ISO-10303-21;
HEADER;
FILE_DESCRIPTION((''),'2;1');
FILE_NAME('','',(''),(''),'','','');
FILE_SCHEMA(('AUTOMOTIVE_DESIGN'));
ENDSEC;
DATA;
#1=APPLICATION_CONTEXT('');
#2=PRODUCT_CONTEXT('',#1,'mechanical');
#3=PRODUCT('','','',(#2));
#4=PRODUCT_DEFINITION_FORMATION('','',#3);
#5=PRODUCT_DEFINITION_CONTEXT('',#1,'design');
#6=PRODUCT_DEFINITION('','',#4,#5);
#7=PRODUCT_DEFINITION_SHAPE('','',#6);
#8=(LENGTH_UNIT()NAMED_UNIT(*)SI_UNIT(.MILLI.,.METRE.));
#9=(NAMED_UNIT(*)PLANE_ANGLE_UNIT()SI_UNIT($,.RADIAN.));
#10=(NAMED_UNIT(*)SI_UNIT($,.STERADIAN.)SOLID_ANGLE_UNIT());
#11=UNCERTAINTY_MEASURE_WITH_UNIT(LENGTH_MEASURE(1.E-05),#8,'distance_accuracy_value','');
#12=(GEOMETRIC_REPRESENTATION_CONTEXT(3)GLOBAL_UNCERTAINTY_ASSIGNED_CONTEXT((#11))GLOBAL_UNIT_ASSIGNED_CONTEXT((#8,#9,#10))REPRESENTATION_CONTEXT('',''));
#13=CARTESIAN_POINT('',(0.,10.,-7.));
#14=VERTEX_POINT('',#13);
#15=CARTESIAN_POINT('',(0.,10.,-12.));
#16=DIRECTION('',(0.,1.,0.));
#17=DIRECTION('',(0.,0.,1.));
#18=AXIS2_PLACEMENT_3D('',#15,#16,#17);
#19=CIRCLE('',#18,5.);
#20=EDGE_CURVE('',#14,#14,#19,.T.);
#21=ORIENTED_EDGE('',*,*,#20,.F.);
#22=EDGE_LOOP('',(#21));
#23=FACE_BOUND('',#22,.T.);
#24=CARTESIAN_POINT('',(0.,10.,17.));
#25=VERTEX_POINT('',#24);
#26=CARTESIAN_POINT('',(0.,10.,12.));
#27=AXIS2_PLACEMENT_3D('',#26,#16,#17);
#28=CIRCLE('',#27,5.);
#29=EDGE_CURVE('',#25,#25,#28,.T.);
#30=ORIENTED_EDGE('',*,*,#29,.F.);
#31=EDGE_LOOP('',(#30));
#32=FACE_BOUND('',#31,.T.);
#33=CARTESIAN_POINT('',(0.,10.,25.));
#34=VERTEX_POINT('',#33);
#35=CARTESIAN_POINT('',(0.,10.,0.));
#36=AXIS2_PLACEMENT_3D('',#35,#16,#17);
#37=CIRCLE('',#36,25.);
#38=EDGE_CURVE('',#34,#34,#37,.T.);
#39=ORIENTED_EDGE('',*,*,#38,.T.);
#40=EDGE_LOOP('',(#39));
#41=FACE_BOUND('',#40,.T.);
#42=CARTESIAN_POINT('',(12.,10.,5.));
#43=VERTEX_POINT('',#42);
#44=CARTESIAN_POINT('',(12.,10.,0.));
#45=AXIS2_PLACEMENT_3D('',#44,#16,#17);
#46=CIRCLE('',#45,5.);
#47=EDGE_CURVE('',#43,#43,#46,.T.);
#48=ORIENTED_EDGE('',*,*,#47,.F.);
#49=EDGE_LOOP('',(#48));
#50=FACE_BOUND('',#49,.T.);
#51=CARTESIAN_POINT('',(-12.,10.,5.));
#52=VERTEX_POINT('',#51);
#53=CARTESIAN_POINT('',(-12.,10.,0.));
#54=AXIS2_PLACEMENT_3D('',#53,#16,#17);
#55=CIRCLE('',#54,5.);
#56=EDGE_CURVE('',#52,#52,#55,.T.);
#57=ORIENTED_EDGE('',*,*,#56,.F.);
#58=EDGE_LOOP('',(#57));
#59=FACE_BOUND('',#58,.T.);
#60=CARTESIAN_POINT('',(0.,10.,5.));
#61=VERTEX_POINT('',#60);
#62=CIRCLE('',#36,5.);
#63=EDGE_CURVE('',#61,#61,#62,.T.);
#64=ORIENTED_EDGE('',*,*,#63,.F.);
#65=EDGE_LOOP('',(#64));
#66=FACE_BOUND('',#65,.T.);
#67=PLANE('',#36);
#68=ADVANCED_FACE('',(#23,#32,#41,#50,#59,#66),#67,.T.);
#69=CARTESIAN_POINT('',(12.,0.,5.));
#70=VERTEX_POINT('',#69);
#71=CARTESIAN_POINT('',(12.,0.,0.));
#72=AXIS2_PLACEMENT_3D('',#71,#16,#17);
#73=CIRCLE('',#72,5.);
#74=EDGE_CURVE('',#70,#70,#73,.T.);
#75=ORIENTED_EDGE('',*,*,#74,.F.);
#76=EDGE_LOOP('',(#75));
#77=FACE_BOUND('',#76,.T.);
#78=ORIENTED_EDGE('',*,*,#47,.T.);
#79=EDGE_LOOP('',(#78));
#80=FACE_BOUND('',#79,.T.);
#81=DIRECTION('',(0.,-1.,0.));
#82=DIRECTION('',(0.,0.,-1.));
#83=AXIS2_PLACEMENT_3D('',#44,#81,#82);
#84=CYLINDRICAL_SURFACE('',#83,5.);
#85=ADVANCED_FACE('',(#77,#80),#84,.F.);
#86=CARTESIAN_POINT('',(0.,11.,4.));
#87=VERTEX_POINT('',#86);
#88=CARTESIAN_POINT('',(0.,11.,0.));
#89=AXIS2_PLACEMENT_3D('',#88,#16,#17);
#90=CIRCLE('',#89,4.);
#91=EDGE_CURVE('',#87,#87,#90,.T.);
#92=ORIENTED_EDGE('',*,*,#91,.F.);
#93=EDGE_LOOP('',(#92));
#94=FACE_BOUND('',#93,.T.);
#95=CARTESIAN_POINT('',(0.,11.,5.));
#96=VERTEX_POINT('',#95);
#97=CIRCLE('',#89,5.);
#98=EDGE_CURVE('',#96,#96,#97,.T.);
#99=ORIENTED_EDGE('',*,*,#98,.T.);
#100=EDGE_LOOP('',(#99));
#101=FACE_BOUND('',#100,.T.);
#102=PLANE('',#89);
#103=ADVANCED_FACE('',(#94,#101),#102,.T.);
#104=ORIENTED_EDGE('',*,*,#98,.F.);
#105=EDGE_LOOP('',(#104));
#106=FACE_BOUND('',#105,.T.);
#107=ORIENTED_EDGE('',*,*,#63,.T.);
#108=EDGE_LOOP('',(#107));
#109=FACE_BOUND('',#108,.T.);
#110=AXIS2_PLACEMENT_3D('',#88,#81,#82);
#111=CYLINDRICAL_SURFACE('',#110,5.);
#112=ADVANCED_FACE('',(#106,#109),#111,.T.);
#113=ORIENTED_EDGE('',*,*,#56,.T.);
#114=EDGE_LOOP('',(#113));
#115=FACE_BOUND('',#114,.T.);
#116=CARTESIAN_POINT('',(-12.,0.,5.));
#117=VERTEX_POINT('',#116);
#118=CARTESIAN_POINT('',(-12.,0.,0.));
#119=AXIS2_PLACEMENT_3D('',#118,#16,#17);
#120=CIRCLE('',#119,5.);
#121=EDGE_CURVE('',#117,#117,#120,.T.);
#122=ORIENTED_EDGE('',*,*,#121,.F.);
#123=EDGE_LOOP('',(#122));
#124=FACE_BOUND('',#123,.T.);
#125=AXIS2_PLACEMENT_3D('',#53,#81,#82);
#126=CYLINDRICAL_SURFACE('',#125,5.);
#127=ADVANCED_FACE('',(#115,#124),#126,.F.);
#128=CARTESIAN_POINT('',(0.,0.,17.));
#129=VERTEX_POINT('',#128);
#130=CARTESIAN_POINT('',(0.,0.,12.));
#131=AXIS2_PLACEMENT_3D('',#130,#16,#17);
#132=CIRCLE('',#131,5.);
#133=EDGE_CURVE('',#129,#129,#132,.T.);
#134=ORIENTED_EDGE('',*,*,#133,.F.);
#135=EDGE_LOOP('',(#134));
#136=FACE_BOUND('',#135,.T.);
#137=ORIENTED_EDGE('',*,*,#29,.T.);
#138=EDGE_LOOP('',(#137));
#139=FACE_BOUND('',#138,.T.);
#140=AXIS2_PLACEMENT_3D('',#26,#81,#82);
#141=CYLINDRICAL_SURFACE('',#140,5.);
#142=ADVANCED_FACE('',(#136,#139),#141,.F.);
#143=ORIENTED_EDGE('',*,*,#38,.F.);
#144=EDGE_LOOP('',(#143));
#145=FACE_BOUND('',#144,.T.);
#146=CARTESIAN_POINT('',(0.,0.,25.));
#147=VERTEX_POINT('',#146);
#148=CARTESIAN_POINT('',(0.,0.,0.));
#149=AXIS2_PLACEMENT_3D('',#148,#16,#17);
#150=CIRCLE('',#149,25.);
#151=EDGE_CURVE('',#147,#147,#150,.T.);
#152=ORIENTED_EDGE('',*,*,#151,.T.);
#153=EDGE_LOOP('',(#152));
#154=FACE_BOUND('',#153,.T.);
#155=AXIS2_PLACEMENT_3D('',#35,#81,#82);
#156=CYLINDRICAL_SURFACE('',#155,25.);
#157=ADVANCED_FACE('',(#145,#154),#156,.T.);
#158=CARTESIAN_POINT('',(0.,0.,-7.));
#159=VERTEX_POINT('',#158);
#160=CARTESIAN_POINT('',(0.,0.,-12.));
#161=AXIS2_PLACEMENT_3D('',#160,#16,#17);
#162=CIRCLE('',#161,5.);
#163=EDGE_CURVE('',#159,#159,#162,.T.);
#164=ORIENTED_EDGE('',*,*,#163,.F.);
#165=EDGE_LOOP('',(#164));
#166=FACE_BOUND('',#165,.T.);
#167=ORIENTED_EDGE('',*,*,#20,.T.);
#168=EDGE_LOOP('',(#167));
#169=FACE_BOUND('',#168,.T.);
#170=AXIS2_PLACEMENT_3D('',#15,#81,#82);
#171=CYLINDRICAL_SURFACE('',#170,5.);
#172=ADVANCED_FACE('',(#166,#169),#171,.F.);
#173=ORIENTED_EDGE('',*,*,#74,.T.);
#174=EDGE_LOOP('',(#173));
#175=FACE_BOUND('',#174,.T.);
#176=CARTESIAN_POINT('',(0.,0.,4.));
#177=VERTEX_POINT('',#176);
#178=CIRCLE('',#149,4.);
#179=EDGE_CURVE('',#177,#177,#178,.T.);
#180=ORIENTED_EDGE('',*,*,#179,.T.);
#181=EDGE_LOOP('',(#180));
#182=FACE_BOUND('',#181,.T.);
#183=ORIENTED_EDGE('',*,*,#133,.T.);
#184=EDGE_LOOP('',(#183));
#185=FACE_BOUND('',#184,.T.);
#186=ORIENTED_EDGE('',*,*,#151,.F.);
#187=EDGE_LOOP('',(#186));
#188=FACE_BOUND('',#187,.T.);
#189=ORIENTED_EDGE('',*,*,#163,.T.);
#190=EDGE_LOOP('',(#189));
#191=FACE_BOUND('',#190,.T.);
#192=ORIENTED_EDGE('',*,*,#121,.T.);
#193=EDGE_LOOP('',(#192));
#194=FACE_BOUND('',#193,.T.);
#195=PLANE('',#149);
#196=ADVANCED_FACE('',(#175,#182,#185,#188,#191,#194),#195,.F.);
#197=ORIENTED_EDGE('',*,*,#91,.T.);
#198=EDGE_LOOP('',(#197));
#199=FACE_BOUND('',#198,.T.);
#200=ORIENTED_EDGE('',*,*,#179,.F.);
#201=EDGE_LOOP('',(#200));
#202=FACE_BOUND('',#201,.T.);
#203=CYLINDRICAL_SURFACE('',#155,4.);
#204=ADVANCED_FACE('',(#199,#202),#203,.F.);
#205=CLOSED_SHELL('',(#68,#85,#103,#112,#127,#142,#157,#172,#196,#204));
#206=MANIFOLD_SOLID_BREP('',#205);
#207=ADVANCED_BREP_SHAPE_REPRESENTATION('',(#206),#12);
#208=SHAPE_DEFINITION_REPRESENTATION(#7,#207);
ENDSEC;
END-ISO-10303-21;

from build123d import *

# Parameters (mm, degrees)
SKETCH1_R           = 25
SKETCH1_R_2         = 4
BOSS_EXTRUDE1_DEPTH = 10
SKETCH2_R           = 5
BOSS_EXTRUDE2_DEPTH = 1
SKETCH3_R           = 4
CUT_EXTRUDE1_DEPTH  = 83


with BuildPart() as part:
    # Sketch1 → Boss-Extrude1 (new body)
    # profile 1 of 2: a face of its own
    with BuildSketch(Plane(origin=(0, 0, 0), x_dir=(1, 0, 0), z_dir=(0, 1, 0))):
        with Locations(Location((0, 0, 0), (0, 0, 270))):
            Circle(SKETCH1_R)
        with BuildLine():
            ThreePointArc((-4.890289414, -10.958333333), (-8.485281374, -8.485281374), (-10.958333333, -4.890289414))
            ThreePointArc((-10.958333333, -4.890289414), (-17, 0), (-10.958333333, 4.890289414))
            ThreePointArc((-10.958333333, 4.890289414), (-8.485281374, 8.485281374), (-4.890289414, 10.958333333))
            ThreePointArc((-4.890289414, 10.958333333), (-0.523714105, 16.97249671), (5, 12))
            ThreePointArc((5, 12), (4.97249671, 11.476285895), (4.890289414, 10.958333333))
            ThreePointArc((4.890289414, 10.958333333), (8.485281374, 8.485281374), (10.958333333, 4.890289414))
            ThreePointArc((10.958333333, 4.890289414), (15.145764348, 3.886407939), (17, 0))
            ThreePointArc((17, 0), (15.145764348, -3.886407939), (10.958333333, -4.890289414))
            ThreePointArc((10.958333333, -4.890289414), (8.485281374, -8.485281374), (4.890289414, -10.958333333))
            ThreePointArc((4.890289414, -10.958333333), (4.97249671, -11.476285895), (5, -12))
            ThreePointArc((5, -12), (-0.523714105, -16.97249671), (-4.890289414, -10.958333333))
        make_face(mode=Mode.SUBTRACT)
    # profile 2 of 2: a face of its own
    with BuildSketch(Plane(origin=(0, 0, 0), x_dir=(1, 0, 0), z_dir=(0, 1, 0))):
        with BuildLine():
            ThreePointArc((-7, 0), (-8.113592061, -3.145764348), (-10.958333333, -4.890289414))
            ThreePointArc((-10.958333333, -4.890289414), (-8.485281374, -8.485281374), (-4.890289414, -10.958333333))
            ThreePointArc((-4.890289414, -10.958333333), (0, -7), (4.890289414, -10.958333333))
            ThreePointArc((4.890289414, -10.958333333), (8.485281374, -8.485281374), (10.958333333, -4.890289414))
            ThreePointArc((10.958333333, -4.890289414), (7, 0), (10.958333333, 4.890289414))
            ThreePointArc((10.958333333, 4.890289414), (8.485281374, 8.485281374), (4.890289414, 10.958333333))
            ThreePointArc((4.890289414, 10.958333333), (0, 7), (-4.890289414, 10.958333333))
            ThreePointArc((-4.890289414, 10.958333333), (-8.485281374, 8.485281374), (-10.958333333, 4.890289414))
            ThreePointArc((-10.958333333, 4.890289414), (-8.113592061, 3.145764348), (-7, 0))
        make_face()
        with Locations(Location((0, 0, 0), (0, 0, 270))):
            Circle(SKETCH1_R_2, mode=Mode.SUBTRACT)
    extrude(amount=BOSS_EXTRUDE1_DEPTH)

    # Sketch2 → Boss-Extrude2 (add)
    with BuildSketch(Plane(origin=(0, 10, 0), x_dir=(1, 0, 0), z_dir=(0, 1, 0))):
        with Locations(Location((0, 0, 0), (0, 0, 270))):
            Circle(SKETCH2_R)
    extrude(amount=BOSS_EXTRUDE2_DEPTH)

    # Sketch3 → Cut-Extrude1 (cut)
    with BuildSketch(Plane.XZ.offset(-10)):
        with Locations(Location((0, 0, 0), (0, 0, 90))):
            Circle(SKETCH3_R)
    extrude(amount=-CUT_EXTRUDE1_DEPTH, mode=Mode.SUBTRACT)


solid = part.part
